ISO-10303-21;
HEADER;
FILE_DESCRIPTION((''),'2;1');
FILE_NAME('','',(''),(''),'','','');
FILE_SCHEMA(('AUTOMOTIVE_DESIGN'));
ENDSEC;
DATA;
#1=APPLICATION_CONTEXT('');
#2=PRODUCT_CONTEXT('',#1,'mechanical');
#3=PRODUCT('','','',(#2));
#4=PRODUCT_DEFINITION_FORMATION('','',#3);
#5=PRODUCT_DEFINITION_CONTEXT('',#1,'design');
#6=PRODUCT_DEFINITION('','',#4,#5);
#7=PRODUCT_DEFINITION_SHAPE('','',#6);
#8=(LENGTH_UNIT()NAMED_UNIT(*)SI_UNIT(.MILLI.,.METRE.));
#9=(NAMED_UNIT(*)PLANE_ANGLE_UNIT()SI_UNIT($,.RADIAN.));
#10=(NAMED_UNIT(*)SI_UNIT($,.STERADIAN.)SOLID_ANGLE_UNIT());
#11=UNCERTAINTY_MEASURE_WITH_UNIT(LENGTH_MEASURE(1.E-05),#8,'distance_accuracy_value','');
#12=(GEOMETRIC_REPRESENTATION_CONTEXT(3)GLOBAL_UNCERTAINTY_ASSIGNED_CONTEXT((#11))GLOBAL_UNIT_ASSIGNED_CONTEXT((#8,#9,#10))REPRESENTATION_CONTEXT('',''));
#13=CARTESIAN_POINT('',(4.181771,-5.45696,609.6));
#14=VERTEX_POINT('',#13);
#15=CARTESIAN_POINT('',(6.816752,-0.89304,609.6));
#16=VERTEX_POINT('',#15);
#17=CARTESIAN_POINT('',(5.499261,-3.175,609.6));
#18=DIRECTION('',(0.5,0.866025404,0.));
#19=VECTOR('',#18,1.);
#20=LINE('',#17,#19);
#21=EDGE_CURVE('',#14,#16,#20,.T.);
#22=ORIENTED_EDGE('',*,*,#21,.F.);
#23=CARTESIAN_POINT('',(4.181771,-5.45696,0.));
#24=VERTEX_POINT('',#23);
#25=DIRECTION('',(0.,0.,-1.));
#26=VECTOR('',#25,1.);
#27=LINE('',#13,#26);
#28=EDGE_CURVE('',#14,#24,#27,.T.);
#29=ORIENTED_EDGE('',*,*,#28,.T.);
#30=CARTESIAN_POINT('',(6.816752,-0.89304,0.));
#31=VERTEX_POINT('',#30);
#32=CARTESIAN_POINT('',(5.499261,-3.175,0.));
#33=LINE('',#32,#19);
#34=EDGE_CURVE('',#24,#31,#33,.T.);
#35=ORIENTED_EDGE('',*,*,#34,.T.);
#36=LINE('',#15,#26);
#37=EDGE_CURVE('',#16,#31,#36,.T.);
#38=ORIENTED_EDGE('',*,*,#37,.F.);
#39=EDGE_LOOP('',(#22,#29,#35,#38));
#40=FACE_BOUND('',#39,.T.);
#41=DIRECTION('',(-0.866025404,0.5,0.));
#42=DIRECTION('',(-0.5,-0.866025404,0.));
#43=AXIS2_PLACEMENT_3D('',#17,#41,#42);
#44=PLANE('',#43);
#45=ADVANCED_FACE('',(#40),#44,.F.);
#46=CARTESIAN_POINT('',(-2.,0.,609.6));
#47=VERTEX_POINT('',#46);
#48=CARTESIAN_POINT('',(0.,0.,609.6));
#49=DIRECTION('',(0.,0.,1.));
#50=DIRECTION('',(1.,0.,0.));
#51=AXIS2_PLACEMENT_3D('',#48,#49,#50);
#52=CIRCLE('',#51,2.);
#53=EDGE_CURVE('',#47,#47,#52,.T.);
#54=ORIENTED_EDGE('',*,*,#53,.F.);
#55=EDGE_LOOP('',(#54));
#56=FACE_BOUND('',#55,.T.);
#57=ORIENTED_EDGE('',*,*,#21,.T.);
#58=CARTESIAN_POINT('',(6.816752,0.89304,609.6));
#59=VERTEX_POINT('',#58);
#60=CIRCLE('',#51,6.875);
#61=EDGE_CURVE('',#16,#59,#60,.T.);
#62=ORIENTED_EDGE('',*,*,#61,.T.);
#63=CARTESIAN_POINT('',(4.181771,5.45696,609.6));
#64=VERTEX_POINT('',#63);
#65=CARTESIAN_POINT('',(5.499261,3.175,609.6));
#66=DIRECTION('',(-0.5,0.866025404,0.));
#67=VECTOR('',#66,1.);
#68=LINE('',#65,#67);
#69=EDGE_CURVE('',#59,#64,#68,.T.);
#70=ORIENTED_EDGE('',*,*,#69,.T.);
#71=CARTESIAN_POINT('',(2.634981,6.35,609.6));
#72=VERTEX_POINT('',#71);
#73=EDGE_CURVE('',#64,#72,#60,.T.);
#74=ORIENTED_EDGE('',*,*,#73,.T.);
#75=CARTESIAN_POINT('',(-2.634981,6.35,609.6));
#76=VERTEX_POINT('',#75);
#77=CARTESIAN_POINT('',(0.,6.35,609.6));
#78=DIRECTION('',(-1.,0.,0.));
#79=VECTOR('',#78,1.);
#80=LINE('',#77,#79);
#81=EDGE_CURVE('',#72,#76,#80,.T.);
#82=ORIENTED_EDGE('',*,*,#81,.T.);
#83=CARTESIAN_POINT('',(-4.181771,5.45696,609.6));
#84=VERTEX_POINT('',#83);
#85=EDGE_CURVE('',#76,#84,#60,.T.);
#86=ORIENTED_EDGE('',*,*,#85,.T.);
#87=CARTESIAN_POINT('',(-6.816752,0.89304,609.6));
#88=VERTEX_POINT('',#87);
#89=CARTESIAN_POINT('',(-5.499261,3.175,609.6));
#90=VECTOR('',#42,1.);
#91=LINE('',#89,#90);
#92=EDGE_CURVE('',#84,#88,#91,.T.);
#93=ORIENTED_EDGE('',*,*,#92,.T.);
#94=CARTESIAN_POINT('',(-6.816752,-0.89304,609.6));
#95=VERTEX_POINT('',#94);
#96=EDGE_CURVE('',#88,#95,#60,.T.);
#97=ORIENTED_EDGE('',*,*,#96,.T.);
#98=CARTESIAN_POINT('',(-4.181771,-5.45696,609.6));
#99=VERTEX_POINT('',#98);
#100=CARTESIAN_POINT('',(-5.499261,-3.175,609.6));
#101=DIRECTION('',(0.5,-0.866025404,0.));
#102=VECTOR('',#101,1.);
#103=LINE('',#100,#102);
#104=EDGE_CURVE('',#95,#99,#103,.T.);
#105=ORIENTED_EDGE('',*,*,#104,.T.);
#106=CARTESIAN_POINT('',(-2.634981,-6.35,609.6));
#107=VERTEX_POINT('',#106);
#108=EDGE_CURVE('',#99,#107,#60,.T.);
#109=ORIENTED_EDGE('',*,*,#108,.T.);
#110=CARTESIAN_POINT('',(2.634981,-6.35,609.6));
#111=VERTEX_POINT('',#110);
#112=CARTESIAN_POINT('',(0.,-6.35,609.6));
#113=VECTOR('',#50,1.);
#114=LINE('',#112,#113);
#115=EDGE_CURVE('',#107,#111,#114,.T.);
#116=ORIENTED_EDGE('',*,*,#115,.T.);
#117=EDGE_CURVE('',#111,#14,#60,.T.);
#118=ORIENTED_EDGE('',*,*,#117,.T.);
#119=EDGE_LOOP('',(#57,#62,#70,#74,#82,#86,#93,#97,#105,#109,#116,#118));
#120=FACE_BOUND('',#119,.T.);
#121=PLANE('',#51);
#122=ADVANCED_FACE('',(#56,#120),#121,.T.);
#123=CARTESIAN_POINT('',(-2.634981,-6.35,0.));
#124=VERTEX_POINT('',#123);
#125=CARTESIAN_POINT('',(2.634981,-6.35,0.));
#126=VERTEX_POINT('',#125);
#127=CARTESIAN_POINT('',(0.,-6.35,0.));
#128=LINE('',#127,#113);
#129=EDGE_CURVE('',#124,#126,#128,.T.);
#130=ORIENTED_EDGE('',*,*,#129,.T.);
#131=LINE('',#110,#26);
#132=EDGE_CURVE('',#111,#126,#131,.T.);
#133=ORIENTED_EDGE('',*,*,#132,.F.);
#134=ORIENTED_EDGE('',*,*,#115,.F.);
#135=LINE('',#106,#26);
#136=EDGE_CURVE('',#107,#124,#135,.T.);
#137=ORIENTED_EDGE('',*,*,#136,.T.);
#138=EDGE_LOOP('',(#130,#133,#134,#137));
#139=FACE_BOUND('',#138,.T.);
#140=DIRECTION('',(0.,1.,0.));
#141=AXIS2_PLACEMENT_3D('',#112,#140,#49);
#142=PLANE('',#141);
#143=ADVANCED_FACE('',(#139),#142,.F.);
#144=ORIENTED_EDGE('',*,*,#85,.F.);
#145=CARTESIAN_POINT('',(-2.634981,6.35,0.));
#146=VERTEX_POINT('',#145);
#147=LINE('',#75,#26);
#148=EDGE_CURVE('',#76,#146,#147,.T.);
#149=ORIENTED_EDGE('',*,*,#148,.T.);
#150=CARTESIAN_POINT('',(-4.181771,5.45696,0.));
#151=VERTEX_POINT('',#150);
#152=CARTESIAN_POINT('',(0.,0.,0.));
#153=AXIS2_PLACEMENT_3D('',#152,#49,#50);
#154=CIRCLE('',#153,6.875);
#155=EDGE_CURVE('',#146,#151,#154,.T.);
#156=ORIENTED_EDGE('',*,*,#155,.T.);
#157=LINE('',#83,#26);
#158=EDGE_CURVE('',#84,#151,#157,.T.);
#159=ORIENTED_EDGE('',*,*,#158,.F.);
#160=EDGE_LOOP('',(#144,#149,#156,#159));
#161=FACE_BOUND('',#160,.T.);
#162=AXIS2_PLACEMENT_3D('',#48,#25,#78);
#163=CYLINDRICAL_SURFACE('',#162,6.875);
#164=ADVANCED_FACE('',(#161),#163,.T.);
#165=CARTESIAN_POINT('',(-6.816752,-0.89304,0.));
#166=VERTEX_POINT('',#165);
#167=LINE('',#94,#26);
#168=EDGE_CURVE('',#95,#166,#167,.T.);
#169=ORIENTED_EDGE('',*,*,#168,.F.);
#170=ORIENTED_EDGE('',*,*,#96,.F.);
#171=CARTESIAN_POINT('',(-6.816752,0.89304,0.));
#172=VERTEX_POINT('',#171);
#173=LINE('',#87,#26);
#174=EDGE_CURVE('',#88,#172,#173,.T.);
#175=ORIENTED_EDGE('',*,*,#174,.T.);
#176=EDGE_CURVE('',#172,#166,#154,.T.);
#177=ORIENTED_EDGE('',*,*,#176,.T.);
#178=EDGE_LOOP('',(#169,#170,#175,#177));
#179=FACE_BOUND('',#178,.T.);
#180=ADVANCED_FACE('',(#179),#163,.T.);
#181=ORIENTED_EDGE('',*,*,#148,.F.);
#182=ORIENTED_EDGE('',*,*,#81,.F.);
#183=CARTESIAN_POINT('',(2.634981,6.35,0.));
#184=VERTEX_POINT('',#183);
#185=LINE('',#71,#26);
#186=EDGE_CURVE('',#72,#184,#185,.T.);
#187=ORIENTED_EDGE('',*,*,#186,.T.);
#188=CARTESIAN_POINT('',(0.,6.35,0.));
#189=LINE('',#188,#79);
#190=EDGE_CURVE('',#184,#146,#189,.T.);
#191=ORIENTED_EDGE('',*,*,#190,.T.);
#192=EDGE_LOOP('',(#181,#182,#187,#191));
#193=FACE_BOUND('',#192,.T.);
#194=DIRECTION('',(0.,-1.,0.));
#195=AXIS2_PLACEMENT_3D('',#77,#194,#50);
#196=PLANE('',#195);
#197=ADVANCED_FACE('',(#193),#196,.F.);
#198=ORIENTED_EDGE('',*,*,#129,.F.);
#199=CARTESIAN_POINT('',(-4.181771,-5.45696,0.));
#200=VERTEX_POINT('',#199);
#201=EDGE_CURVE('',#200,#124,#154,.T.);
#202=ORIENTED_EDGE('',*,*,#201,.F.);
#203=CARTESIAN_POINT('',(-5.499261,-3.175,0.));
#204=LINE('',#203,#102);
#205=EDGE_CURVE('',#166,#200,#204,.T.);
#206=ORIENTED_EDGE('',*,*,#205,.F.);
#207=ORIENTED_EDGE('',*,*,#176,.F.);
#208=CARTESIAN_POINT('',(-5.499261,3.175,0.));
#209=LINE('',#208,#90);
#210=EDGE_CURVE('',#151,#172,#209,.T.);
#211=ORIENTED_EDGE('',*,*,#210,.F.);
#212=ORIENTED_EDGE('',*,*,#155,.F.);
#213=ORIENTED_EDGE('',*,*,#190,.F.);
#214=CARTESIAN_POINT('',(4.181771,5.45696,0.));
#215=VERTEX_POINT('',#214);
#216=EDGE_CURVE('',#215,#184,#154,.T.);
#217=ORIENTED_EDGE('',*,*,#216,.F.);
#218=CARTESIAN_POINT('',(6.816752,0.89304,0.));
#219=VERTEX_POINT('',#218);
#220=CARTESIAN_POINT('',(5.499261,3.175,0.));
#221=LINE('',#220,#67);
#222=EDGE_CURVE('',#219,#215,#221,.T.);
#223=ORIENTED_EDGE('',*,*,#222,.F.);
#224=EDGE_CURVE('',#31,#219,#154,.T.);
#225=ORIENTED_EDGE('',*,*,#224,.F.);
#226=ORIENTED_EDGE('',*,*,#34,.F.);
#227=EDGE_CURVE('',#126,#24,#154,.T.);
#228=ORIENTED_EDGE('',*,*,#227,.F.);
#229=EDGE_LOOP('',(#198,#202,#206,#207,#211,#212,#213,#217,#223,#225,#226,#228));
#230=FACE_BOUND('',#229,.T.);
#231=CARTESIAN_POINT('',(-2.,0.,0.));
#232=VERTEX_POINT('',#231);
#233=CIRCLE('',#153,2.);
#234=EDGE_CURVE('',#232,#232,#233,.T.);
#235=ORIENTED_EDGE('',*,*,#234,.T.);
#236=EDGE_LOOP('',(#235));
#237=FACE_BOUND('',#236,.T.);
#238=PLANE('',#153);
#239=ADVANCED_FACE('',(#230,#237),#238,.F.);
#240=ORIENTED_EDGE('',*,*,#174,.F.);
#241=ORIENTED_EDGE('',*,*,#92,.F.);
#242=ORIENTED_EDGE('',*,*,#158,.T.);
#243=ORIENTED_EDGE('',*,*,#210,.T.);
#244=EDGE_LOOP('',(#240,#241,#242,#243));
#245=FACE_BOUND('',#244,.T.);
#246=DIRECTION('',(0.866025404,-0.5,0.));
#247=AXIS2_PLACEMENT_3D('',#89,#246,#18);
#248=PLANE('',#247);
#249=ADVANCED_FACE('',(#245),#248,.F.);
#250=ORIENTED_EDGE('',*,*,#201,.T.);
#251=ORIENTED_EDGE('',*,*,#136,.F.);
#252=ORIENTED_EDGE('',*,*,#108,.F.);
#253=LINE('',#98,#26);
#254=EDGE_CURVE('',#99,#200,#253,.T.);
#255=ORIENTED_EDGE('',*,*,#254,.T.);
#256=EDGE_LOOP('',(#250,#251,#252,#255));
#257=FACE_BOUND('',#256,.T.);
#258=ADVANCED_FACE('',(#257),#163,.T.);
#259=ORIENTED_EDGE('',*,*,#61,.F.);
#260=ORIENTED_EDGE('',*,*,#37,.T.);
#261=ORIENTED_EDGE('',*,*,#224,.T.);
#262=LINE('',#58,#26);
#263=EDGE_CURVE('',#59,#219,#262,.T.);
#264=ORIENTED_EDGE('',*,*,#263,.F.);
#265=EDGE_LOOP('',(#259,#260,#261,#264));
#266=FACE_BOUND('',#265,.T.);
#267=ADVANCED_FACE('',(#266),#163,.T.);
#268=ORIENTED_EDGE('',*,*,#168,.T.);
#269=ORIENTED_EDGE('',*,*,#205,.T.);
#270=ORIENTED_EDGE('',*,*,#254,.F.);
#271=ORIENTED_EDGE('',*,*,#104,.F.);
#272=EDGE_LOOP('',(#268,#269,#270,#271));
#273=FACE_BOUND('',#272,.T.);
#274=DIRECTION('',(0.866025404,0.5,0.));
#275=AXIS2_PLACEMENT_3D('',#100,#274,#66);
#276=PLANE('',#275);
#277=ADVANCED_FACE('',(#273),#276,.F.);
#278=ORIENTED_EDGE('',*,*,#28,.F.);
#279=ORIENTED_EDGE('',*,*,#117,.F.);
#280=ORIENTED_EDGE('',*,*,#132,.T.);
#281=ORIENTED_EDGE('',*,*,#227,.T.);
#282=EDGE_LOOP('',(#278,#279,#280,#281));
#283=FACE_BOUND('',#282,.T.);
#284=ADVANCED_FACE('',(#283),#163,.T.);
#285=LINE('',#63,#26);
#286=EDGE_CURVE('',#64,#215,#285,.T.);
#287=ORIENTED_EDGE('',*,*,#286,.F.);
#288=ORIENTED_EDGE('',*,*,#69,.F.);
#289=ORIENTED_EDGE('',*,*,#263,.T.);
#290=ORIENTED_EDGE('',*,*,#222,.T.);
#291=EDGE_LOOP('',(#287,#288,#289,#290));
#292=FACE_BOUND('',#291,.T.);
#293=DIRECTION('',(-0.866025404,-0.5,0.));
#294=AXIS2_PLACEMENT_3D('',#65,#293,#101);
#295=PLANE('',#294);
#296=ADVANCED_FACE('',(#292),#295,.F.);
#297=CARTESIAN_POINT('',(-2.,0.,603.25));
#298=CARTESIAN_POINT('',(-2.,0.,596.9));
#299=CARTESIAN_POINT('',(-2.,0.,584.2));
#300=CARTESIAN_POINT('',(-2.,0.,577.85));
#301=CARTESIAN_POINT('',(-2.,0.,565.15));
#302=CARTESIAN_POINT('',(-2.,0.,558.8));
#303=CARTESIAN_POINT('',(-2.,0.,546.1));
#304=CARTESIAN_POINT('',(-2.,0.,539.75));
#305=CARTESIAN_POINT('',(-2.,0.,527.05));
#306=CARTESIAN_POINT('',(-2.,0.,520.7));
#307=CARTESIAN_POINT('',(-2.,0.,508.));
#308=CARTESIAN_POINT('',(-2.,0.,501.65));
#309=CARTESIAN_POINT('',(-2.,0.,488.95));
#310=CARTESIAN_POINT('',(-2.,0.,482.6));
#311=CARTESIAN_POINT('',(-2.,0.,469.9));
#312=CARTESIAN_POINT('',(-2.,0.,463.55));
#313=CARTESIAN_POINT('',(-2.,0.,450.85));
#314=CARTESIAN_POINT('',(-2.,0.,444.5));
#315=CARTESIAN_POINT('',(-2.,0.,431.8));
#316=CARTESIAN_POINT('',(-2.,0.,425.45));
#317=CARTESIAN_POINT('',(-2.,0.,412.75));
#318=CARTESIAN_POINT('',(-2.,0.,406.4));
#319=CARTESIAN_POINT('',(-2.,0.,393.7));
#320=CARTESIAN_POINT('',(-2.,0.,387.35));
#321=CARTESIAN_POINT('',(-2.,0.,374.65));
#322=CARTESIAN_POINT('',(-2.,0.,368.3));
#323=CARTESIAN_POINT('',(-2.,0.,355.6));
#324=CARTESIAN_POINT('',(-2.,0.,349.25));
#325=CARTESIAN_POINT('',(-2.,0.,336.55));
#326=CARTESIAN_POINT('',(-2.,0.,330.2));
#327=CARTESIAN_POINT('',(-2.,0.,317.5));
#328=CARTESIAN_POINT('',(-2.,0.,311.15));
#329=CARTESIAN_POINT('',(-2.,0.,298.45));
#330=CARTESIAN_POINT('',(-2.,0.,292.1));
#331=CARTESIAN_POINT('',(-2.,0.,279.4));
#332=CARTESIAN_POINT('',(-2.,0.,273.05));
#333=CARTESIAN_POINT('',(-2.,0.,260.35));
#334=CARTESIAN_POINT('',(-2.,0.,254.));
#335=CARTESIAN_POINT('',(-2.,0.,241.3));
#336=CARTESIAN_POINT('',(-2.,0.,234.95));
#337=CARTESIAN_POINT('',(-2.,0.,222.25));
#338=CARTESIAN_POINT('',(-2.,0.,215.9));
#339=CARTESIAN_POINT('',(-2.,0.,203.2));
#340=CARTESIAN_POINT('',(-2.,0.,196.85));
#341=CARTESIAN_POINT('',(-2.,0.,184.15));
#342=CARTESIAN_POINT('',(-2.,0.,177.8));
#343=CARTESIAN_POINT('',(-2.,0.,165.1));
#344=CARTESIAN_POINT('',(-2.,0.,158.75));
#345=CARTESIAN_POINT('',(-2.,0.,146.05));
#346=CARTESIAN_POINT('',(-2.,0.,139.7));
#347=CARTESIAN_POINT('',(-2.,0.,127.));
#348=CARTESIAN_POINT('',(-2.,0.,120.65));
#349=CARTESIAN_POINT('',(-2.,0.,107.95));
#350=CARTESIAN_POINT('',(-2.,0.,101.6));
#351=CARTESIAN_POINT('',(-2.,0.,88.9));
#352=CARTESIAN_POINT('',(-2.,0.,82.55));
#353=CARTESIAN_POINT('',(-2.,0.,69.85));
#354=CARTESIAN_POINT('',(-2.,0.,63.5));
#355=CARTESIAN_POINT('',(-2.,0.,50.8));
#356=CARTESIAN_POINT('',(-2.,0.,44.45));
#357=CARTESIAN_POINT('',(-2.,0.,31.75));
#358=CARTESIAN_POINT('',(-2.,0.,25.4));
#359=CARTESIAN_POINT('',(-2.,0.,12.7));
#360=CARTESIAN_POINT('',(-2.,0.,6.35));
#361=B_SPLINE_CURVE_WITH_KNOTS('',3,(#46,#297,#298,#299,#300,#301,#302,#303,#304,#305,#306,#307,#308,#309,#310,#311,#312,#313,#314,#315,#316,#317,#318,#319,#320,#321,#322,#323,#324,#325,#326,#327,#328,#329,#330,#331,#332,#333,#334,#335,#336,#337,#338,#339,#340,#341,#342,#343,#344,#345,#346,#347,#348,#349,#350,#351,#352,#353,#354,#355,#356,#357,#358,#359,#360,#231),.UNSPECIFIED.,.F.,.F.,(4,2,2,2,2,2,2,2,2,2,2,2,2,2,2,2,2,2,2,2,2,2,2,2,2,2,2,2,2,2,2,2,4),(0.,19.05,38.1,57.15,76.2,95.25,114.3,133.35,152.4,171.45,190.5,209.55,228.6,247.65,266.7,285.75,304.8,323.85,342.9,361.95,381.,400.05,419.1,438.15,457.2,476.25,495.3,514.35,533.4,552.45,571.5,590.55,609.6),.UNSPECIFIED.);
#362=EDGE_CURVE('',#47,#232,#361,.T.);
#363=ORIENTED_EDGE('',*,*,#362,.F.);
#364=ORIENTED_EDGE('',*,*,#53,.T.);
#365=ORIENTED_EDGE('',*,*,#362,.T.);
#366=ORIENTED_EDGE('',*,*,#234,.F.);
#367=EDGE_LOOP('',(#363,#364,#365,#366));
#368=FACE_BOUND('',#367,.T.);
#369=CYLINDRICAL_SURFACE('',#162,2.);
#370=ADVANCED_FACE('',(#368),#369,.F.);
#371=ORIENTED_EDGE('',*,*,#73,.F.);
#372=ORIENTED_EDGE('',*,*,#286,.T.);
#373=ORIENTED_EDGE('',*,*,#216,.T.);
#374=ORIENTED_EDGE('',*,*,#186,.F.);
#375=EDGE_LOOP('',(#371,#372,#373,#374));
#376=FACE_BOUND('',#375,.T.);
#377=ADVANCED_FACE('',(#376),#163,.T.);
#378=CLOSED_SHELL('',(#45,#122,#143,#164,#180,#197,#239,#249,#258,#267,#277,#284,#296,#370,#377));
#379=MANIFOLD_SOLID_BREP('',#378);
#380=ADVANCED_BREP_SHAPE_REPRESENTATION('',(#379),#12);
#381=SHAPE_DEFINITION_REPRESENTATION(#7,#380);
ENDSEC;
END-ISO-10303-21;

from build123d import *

# Parameters (mm, degrees)
SKETCH1_R           = 2.000000064
BOSS_EXTRUDE1_DEPTH = 609.6


with BuildPart() as part:
    # Sketch1 → Boss-Extrude1 (new body)
    with BuildSketch(Plane.XY):
        with BuildLine():
            ThreePointArc((4.181770846, 5.456960429), (3.437499983, 5.953924622), (2.634980936, 6.35))
            Line((2.634980936, 6.35), (-2.634980936, 6.35))
            ThreePointArc((-2.634980936, 6.35), (-3.437499983, 5.953924622), (-4.181770846, 5.456960429))
            Line((-4.181770846, 5.456960429), (-6.816751782, 0.893039571))
            ThreePointArc((-6.816751782, 0.893039571), (-6.874999966, 0), (-6.816751782, -0.893039571))
            Line((-6.816751782, -0.893039571), (-4.181770846, -5.456960429))
            ThreePointArc((-4.181770846, -5.456960429), (-3.437499983, -5.953924622), (-2.634980936, -6.35))
            Line((-2.634980936, -6.35), (2.634980936, -6.35))
            ThreePointArc((2.634980936, -6.35), (3.437499983, -5.953924622), (4.181770846, -5.456960429))
            Line((4.181770846, -5.456960429), (6.816751782, -0.893039571))
            ThreePointArc((6.816751782, -0.893039571), (6.860422465, -0.447468582), (6.874999966, 0))
            ThreePointArc((6.874999966, 0), (6.860422465, 0.447468582), (6.816751782, 0.893039571))
            Line((6.816751782, 0.893039571), (4.181770846, 5.456960429))
        make_face()
        with Locations(Location((0, 0, 0), (0, 0, 180))):
            Circle(SKETCH1_R, mode=Mode.SUBTRACT)
    extrude(amount=BOSS_EXTRUDE1_DEPTH)


solid = part.part
